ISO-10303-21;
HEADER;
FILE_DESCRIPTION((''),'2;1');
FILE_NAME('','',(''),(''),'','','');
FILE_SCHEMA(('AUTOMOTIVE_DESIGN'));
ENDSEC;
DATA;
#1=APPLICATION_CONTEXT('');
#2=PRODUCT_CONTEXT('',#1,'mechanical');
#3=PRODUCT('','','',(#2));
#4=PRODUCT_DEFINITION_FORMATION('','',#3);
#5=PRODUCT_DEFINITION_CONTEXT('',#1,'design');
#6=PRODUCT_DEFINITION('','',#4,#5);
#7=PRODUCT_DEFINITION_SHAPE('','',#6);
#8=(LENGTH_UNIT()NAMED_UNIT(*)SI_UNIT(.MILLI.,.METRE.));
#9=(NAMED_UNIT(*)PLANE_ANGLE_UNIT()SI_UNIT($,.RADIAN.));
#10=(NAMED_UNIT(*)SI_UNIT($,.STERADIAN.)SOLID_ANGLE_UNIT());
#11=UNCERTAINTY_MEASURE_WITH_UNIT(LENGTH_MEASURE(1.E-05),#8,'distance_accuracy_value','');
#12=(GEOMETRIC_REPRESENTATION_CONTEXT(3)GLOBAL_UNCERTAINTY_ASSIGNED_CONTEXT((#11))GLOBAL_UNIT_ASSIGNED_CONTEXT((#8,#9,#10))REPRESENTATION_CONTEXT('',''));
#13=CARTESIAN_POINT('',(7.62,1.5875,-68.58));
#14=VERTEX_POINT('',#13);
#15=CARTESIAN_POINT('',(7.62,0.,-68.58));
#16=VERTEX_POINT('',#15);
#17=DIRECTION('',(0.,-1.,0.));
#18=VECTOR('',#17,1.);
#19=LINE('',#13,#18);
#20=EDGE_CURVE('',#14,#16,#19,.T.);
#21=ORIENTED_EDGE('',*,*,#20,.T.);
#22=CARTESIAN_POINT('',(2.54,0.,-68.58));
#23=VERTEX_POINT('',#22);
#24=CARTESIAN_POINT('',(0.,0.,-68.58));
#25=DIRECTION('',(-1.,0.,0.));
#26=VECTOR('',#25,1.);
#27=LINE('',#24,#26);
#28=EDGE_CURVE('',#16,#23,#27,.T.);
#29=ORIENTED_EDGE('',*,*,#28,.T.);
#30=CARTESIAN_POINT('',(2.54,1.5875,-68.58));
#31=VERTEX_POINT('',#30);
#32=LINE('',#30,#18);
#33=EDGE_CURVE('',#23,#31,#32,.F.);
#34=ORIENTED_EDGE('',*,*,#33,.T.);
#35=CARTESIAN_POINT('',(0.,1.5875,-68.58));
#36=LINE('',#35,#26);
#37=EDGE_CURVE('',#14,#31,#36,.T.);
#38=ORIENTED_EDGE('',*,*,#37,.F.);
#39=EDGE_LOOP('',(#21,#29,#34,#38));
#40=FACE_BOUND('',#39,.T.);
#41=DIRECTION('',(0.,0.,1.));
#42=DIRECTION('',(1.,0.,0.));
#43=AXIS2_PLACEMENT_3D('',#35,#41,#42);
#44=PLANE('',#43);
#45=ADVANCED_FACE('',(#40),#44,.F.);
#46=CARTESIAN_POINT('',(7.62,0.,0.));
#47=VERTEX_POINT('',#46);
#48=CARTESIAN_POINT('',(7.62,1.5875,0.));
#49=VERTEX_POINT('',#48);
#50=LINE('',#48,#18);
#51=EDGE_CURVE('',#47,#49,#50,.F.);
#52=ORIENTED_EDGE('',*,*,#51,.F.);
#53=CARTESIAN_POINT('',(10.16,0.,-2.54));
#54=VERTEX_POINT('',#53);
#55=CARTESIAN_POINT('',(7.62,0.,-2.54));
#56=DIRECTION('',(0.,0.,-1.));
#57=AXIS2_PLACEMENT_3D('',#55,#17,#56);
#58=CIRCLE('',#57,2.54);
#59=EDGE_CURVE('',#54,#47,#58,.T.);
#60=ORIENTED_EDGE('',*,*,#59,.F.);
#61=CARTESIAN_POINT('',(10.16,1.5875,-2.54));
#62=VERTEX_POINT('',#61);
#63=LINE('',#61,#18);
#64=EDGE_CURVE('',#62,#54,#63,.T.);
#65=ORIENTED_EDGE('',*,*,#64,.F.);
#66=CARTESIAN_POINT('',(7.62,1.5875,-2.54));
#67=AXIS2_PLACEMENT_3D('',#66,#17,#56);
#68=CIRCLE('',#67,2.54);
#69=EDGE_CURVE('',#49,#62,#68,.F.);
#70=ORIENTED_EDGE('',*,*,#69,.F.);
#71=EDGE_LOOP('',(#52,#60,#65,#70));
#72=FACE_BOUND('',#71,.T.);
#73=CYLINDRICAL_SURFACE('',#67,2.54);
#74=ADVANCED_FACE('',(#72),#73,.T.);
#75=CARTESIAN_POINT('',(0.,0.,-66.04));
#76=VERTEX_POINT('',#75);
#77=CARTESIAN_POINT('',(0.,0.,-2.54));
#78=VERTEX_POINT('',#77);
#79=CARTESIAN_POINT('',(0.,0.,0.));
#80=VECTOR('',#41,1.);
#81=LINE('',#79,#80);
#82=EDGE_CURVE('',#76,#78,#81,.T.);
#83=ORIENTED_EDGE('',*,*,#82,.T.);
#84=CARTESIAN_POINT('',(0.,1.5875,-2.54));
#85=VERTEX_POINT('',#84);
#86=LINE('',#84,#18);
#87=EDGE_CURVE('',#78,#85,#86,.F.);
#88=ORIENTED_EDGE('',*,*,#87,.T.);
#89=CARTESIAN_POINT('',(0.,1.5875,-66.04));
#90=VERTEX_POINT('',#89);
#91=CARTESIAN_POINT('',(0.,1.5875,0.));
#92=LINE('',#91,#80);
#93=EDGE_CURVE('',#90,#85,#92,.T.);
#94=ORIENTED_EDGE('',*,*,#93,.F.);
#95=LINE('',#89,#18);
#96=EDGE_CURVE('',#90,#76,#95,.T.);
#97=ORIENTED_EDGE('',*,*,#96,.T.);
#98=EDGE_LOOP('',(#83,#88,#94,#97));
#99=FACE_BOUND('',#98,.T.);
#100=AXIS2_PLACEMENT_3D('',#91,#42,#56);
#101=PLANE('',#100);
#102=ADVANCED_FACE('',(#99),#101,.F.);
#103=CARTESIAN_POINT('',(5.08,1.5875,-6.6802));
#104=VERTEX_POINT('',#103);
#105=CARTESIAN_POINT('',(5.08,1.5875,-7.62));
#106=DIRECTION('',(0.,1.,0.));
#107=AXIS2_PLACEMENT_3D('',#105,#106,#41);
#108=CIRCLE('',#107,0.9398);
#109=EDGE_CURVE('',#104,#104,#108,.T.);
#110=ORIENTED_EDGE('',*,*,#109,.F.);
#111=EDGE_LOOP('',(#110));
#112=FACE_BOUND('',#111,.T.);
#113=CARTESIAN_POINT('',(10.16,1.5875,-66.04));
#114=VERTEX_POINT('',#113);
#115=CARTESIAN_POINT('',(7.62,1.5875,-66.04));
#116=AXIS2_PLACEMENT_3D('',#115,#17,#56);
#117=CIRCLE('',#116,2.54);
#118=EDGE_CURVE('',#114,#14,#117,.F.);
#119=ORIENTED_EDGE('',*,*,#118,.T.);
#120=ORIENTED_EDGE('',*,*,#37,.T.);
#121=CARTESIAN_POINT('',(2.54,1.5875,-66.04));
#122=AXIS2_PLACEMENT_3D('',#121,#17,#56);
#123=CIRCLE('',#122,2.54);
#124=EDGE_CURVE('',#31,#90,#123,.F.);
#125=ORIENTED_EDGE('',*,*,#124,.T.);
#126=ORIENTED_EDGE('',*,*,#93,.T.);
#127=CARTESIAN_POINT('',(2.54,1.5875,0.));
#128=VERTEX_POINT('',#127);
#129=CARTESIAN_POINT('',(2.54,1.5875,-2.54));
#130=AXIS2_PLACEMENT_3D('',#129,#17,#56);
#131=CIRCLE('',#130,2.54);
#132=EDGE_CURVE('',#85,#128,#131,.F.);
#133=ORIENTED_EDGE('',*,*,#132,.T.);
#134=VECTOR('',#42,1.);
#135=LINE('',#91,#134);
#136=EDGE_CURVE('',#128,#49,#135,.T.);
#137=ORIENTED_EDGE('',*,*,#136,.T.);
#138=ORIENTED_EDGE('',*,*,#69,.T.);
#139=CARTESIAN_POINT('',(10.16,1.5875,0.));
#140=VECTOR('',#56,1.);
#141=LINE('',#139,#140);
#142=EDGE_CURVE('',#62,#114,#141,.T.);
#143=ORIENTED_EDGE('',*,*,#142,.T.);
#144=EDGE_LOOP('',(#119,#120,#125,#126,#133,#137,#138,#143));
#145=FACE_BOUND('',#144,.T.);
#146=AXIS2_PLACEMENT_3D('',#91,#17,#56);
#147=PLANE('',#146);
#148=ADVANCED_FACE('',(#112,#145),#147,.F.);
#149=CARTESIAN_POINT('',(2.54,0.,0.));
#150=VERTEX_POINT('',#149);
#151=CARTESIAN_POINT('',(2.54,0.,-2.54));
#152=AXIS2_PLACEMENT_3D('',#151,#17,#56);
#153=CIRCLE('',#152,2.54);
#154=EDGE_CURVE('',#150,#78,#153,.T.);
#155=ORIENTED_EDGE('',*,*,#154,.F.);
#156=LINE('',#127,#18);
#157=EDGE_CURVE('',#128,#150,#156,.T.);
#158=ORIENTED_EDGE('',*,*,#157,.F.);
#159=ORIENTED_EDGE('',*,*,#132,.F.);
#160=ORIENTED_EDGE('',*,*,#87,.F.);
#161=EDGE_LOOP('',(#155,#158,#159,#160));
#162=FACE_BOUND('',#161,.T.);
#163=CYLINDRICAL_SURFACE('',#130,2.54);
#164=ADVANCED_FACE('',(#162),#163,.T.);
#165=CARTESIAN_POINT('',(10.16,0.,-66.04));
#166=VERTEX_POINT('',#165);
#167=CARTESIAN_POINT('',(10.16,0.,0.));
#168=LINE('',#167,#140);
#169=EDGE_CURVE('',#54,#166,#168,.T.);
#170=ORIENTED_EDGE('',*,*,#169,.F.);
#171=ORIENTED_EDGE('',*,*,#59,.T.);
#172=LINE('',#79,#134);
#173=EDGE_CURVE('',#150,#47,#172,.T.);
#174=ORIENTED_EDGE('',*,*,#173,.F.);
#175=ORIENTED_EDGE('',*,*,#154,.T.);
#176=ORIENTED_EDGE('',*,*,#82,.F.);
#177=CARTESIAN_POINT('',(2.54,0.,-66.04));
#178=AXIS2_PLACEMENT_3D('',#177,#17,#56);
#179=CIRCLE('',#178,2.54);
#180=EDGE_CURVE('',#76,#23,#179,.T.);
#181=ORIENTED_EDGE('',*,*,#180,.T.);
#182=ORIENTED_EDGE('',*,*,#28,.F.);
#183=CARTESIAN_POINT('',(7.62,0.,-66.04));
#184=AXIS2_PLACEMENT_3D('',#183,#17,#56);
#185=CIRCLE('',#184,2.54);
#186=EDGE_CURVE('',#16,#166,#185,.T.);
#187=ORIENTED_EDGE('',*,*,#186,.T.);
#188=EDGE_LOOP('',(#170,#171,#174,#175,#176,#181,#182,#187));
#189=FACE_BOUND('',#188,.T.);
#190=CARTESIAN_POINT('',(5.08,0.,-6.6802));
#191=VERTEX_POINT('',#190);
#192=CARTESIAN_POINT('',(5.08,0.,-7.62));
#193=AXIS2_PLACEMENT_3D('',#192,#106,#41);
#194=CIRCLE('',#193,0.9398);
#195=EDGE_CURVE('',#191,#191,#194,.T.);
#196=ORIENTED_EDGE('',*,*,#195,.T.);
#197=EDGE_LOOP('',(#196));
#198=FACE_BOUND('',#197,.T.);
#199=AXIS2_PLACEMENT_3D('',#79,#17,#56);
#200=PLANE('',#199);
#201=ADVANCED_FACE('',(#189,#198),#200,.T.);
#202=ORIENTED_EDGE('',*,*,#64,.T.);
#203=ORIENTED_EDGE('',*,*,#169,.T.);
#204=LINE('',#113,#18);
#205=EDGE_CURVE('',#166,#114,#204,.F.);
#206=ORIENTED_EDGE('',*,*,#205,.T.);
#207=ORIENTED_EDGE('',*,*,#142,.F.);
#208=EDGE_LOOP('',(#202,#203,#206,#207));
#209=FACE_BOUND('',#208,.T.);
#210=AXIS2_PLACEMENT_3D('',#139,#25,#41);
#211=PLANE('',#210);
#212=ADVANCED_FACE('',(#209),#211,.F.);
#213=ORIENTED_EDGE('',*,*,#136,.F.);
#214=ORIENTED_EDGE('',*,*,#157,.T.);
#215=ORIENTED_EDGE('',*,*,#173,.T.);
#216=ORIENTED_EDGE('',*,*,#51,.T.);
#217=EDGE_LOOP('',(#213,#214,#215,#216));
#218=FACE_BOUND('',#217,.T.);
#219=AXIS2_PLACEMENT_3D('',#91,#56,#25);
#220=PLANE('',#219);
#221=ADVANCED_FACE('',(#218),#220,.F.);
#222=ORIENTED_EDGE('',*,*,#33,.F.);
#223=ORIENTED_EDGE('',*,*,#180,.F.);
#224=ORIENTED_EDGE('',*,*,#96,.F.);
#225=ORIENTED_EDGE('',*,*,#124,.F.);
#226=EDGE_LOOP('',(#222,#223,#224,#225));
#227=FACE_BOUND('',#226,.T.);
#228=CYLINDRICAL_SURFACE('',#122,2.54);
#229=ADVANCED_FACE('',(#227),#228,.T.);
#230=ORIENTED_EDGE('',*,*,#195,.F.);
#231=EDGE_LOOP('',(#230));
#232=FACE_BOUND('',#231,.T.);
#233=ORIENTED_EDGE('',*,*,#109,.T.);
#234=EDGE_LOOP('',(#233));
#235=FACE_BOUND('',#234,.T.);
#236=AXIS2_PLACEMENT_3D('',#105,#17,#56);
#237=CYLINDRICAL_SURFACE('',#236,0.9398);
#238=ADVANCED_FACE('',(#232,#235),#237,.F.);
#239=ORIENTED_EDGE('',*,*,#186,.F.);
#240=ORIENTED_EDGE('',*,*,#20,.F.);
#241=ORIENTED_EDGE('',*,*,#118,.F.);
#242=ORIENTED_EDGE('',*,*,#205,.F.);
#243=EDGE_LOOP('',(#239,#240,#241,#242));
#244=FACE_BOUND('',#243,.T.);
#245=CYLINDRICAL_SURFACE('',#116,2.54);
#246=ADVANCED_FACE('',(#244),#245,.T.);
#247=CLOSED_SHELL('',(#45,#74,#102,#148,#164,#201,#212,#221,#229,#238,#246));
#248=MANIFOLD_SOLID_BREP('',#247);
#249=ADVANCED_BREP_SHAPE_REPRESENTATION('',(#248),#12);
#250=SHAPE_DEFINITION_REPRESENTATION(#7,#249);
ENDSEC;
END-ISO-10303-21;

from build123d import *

# Parameters (mm, degrees)
SKETCH1_W           = 10.16
SKETCH1_H           = 68.58
SKETCH1_R           = 0.9398
BOSS_EXTRUDE1_DEPTH = 1.5875
FILLET1_R           = 2.54


with BuildPart() as part:
    # Sketch1 → Boss-Extrude1 (new body)
    with BuildSketch(Plane(origin=(0, 0, 0), x_dir=(1, 0, 0), z_dir=(0, 1, 0))):
        with Locations((5.08, 34.29)):
            Rectangle(SKETCH1_W, SKETCH1_H)
        with Locations(Location((5.08, 7.62, 0), (0, 0, 270))):
            Circle(SKETCH1_R, mode=Mode.SUBTRACT)
    extrude(amount=BOSS_EXTRUDE1_DEPTH)

    # Fillet1
    fillet1_edges = [part.edges().sort_by_distance(p)[0] for p in [
        (0, 0.79375, -68.58),
        (10.16, 0.79375, -68.58),
        (10.16, 0.79375, 0),
        (0, 0.79375, 0),
    ]]
    fillet(fillet1_edges, radius=FILLET1_R)


solid = part.part
